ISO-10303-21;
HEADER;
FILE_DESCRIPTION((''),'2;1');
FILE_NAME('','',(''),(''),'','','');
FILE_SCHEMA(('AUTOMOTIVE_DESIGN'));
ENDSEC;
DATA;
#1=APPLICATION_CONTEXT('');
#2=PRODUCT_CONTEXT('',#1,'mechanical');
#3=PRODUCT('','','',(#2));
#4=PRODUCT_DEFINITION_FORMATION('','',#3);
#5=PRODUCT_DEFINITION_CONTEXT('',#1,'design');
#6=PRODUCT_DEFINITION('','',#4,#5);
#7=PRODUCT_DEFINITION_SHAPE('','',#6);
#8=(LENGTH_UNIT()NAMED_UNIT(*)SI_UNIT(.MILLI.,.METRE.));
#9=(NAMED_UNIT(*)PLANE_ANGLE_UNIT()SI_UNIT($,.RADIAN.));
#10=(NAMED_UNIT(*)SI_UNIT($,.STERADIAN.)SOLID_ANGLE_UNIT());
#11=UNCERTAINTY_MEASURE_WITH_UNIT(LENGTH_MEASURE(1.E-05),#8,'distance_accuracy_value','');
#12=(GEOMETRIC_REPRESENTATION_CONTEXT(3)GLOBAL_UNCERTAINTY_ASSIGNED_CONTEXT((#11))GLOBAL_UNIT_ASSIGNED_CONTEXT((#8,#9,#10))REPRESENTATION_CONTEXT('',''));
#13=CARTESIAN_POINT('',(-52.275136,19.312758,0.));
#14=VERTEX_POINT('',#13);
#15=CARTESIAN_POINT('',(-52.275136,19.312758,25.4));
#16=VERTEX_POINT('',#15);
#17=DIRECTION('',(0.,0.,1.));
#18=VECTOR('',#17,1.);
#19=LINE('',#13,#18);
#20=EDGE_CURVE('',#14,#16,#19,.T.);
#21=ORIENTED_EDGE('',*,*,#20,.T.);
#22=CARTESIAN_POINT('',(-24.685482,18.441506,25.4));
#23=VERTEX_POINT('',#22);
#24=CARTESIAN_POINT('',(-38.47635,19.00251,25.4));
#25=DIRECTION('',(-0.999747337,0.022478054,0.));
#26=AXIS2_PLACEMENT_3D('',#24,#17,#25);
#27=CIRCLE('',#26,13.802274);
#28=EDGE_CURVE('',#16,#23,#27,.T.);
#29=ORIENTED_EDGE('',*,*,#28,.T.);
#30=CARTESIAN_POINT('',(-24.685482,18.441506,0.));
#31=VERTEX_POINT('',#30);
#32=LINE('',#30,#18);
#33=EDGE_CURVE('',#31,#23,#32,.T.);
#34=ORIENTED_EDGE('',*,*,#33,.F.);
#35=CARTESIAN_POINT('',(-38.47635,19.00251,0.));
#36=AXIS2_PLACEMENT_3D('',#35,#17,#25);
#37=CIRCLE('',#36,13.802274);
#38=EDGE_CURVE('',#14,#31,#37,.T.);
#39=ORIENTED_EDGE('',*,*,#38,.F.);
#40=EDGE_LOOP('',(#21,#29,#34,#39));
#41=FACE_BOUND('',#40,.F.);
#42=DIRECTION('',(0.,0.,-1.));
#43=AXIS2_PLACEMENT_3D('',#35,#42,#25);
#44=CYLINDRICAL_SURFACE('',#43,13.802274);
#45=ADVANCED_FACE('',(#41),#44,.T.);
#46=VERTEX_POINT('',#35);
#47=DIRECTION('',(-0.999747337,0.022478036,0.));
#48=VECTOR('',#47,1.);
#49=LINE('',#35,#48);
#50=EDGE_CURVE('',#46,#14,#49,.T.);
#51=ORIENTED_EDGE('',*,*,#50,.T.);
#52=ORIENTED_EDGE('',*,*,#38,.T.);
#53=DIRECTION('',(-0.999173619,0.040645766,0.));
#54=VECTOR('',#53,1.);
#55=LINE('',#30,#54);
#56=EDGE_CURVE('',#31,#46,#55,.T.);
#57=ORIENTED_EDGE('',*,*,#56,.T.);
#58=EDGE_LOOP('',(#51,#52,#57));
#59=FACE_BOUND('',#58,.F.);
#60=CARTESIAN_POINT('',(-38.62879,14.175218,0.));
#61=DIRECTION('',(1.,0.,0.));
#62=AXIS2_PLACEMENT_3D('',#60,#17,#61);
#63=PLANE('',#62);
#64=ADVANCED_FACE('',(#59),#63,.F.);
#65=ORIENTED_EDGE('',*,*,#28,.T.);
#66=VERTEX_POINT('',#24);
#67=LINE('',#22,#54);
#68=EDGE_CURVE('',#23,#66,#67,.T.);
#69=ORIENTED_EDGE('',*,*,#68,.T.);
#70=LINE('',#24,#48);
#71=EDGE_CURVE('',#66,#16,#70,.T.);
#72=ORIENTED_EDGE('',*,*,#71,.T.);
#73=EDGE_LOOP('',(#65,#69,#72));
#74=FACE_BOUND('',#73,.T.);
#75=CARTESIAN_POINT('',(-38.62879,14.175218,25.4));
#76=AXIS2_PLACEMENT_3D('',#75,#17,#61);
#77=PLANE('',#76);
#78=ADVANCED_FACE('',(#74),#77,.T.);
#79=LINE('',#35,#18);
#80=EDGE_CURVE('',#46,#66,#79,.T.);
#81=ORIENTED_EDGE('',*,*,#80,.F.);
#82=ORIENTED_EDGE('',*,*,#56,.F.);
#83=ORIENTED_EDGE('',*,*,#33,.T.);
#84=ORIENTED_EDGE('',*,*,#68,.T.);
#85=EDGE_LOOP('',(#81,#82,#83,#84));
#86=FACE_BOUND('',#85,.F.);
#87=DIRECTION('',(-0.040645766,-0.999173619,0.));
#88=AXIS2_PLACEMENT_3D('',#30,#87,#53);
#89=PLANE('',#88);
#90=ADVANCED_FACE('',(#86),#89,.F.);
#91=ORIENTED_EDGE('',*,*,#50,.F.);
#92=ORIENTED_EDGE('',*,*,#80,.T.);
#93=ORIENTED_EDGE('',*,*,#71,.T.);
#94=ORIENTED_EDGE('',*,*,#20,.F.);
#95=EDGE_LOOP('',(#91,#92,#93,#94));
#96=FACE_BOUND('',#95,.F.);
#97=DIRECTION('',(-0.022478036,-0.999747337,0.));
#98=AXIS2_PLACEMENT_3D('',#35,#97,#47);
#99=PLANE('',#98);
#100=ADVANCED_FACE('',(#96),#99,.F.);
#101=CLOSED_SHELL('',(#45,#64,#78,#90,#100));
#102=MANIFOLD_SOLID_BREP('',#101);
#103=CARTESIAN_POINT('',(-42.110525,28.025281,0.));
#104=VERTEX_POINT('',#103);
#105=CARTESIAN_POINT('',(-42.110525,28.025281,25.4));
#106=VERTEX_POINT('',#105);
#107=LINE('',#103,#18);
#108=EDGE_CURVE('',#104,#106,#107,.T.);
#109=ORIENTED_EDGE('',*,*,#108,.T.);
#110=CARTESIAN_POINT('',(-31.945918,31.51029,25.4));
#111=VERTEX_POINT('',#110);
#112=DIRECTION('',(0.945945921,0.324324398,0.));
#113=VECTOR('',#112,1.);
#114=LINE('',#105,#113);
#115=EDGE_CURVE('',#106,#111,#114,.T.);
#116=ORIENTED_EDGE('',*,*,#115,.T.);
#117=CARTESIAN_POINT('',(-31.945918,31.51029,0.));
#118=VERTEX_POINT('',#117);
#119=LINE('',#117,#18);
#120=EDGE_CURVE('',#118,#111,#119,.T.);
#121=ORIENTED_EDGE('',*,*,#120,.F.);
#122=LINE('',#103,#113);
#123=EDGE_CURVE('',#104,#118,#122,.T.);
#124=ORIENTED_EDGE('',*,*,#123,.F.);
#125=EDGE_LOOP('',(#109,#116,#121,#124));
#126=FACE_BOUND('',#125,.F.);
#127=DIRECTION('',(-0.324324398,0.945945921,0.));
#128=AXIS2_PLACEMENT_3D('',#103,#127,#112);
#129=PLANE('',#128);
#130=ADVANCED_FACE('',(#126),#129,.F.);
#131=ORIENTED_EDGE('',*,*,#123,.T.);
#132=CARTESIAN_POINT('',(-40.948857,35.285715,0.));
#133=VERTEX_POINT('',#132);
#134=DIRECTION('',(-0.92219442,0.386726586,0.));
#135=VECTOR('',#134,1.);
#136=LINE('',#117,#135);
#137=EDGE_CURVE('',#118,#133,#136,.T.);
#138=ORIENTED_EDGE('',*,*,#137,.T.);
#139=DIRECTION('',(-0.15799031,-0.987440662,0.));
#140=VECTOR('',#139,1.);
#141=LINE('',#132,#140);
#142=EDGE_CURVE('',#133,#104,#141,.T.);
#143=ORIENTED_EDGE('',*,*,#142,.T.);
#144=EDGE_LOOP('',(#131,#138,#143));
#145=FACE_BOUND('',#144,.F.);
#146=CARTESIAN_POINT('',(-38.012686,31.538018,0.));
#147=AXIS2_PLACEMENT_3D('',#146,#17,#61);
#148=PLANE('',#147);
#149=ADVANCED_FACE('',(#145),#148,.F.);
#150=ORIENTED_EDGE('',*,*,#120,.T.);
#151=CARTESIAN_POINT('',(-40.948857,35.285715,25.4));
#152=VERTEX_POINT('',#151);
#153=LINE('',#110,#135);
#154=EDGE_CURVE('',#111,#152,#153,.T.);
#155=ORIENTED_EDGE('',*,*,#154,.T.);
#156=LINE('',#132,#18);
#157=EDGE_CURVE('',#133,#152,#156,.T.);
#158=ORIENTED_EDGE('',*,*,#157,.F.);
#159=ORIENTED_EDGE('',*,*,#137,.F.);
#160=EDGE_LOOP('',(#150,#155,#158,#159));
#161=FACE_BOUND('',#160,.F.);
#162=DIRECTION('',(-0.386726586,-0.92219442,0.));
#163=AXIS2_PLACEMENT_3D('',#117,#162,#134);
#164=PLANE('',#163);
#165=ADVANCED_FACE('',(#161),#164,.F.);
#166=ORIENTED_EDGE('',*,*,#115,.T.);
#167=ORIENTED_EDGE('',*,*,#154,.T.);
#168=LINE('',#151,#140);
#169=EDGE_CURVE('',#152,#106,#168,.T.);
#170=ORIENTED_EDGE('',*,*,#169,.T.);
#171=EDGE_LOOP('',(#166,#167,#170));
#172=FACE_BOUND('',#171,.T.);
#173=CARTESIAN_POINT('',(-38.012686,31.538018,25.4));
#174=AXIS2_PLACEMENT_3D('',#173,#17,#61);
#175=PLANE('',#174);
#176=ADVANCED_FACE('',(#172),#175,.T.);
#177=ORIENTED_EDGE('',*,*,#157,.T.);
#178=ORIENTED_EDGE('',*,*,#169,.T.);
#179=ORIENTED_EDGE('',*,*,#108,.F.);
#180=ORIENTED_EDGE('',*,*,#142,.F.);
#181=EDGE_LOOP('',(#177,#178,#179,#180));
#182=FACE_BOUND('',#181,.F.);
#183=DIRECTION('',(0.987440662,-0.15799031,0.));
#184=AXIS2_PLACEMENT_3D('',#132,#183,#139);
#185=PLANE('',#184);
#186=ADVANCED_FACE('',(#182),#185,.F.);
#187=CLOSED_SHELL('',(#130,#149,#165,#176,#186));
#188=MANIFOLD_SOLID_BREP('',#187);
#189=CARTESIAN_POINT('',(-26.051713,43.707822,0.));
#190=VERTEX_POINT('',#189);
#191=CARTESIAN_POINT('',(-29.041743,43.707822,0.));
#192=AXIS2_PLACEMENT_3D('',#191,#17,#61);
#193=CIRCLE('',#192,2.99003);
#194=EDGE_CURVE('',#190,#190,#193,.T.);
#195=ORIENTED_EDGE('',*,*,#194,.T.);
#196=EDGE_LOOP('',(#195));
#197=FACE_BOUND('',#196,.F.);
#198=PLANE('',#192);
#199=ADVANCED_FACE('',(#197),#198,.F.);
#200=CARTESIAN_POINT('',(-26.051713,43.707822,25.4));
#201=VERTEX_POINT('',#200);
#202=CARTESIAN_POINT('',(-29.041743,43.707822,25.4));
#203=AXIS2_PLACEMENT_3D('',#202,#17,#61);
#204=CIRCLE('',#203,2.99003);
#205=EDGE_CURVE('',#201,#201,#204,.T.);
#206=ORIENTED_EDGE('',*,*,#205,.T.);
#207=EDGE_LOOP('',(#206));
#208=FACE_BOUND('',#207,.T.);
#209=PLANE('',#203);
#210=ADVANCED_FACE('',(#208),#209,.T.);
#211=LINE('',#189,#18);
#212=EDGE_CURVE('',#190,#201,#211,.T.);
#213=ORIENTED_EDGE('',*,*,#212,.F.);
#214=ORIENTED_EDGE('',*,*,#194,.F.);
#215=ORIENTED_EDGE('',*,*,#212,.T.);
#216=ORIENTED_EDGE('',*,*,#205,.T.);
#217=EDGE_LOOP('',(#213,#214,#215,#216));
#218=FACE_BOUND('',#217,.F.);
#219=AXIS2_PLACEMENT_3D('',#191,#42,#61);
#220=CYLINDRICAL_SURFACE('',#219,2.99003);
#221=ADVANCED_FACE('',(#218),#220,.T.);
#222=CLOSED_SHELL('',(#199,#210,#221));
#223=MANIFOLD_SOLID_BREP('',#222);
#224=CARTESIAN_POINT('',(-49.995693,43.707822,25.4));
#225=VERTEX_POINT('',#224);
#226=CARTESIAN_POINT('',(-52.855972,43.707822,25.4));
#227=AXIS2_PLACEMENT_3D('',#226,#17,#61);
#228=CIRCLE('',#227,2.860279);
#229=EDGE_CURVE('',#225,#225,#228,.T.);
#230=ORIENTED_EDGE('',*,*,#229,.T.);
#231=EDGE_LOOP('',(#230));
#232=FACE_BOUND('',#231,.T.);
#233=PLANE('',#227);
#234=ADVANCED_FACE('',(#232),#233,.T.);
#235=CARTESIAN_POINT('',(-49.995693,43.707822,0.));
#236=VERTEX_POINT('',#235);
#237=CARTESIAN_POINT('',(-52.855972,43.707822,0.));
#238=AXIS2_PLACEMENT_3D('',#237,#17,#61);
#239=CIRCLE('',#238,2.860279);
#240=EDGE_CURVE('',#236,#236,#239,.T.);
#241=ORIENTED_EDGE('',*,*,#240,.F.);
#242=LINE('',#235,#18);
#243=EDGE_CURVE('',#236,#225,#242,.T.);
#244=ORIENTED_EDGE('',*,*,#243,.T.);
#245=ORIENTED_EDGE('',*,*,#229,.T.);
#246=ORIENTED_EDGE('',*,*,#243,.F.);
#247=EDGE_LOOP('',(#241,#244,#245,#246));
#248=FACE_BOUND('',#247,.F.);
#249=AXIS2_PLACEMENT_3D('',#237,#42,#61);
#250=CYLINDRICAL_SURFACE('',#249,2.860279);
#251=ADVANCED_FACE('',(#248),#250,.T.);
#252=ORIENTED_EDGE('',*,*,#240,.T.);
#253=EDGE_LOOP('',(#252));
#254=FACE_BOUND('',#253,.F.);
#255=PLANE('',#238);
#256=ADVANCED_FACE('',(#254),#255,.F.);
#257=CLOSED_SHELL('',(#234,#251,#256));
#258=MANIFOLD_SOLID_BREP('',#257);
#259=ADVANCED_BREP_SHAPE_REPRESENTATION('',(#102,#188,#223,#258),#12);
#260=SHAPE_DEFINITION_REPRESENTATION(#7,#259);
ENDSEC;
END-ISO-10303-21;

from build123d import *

# Parameters (mm, degrees)
F0_R     = 2.860279
F0_R_2   = 2.99003
F1_DEPTH = 25.4


with BuildPart() as f1:
    # F0 (on Top) → F1 (new body)
    with BuildSketch(Plane.XY):
        with Locations((-52.855972, 43.707822)):
            Circle(F0_R)
        with Locations((-29.041743, 43.707822)):
            Circle(F0_R_2)
        Polygon((-31.945918, 31.51029), (-40.948857, 35.285715), (-42.110525, 28.025281), align=None)
        with BuildLine():
            Line((-38.47635, 19.00251), (-52.275136, 19.312758))
            ThreePointArc((-52.275136, 19.312758), (-38.911994, 5.207113), (-24.685482, 18.441506))
            Line((-24.685482, 18.441506), (-38.47635, 19.00251))
        make_face()
    extrude(amount=F1_DEPTH)


solid = f1.part
